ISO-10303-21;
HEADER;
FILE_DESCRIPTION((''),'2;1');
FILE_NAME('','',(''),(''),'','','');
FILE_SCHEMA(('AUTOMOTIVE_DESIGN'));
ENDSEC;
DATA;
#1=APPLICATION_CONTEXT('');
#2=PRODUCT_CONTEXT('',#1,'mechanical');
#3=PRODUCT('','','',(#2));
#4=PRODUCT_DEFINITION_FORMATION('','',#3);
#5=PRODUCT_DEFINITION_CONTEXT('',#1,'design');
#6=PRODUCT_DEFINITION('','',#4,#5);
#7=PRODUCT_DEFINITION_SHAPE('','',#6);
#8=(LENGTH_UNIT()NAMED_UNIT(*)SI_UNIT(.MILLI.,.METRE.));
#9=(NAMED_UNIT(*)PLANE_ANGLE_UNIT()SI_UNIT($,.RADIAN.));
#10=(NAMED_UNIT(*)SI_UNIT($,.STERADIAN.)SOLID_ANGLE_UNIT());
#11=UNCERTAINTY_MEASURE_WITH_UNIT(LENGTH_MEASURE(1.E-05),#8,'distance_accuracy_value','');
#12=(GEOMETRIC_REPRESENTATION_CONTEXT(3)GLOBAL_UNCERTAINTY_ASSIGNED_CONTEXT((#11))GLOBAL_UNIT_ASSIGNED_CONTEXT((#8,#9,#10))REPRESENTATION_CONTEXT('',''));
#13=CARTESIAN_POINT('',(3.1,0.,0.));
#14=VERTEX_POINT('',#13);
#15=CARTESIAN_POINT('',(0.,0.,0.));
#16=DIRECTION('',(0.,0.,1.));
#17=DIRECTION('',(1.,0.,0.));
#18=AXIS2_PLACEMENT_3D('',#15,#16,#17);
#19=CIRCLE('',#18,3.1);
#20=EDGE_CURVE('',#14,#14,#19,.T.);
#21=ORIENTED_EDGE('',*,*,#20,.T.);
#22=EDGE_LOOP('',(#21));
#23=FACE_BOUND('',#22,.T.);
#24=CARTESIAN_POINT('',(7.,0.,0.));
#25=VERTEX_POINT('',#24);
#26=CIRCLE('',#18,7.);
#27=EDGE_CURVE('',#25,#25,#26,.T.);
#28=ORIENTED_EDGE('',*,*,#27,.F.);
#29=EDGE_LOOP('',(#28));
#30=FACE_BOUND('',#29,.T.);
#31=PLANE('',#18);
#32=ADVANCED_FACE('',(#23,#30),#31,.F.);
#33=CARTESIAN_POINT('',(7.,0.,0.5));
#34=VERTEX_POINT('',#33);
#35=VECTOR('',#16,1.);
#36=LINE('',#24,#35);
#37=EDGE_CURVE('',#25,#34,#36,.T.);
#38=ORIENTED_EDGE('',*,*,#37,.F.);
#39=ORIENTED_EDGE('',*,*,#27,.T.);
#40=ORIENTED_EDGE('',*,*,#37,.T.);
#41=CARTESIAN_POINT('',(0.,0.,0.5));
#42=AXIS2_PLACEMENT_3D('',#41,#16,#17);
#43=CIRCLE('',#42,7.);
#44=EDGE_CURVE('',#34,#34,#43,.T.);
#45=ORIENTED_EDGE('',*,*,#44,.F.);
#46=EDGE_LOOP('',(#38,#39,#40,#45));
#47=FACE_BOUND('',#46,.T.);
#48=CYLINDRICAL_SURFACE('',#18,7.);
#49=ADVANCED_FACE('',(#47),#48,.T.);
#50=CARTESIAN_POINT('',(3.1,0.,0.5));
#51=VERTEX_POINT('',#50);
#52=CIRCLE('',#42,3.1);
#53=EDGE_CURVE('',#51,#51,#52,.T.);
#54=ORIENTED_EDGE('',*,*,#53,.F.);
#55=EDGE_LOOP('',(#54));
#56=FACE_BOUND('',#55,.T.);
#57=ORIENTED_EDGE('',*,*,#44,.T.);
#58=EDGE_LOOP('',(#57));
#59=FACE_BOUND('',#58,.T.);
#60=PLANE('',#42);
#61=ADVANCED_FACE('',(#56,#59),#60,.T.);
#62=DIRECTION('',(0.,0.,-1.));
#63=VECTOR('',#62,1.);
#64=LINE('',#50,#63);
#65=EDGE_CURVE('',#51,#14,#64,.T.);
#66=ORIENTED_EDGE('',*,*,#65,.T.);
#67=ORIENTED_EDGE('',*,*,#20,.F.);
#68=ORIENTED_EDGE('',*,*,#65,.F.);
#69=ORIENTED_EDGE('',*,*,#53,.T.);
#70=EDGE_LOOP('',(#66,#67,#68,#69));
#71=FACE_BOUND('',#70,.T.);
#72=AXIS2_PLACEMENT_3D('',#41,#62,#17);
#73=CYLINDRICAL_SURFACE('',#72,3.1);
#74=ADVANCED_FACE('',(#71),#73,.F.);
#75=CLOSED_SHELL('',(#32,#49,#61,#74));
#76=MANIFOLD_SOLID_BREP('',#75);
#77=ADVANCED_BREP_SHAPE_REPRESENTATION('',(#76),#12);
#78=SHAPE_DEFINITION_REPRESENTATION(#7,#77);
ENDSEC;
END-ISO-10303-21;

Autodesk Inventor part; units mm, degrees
ref_plane "YZ Plane" through (0, 0, 0) normal (1, 0, 0) x (0, 1, 0)
ref_plane "XZ Plane" through (0, 0, 0) normal (0, 1, 0) x (-1, 0, 0)
ref_plane "XY Plane" through (0, 0, 0) normal (0, 0, 1) x (1, 0, 0)
sketch "Sketch1" plane through (0, 0, 0) normal (0, 1, 0) x (-1, 0, 0)
  line L0 (0, 0) -> (0, 0.5)
  line L1 (-3.1, 0.5) -> (-3.1, 0)
  line L2 (-3.1, 0) -> (-7, 0)
  line L3 (-7, 0) -> (-7, 0.5)
  line L4 (-7, 0.5) -> (-3.1, 0.5)
  dimension "InsideDiameter" = 6.2
  dimension "OuterDiameter" = 14
  dimension "Thickness" = 0.5
revolve "Revolution1" add sketch "Sketch1" angle 360 about axis through (0, 0, 0) along (0, 0, 1)
properties part number "TT-0614-05" material "Acetal Resin, White"
